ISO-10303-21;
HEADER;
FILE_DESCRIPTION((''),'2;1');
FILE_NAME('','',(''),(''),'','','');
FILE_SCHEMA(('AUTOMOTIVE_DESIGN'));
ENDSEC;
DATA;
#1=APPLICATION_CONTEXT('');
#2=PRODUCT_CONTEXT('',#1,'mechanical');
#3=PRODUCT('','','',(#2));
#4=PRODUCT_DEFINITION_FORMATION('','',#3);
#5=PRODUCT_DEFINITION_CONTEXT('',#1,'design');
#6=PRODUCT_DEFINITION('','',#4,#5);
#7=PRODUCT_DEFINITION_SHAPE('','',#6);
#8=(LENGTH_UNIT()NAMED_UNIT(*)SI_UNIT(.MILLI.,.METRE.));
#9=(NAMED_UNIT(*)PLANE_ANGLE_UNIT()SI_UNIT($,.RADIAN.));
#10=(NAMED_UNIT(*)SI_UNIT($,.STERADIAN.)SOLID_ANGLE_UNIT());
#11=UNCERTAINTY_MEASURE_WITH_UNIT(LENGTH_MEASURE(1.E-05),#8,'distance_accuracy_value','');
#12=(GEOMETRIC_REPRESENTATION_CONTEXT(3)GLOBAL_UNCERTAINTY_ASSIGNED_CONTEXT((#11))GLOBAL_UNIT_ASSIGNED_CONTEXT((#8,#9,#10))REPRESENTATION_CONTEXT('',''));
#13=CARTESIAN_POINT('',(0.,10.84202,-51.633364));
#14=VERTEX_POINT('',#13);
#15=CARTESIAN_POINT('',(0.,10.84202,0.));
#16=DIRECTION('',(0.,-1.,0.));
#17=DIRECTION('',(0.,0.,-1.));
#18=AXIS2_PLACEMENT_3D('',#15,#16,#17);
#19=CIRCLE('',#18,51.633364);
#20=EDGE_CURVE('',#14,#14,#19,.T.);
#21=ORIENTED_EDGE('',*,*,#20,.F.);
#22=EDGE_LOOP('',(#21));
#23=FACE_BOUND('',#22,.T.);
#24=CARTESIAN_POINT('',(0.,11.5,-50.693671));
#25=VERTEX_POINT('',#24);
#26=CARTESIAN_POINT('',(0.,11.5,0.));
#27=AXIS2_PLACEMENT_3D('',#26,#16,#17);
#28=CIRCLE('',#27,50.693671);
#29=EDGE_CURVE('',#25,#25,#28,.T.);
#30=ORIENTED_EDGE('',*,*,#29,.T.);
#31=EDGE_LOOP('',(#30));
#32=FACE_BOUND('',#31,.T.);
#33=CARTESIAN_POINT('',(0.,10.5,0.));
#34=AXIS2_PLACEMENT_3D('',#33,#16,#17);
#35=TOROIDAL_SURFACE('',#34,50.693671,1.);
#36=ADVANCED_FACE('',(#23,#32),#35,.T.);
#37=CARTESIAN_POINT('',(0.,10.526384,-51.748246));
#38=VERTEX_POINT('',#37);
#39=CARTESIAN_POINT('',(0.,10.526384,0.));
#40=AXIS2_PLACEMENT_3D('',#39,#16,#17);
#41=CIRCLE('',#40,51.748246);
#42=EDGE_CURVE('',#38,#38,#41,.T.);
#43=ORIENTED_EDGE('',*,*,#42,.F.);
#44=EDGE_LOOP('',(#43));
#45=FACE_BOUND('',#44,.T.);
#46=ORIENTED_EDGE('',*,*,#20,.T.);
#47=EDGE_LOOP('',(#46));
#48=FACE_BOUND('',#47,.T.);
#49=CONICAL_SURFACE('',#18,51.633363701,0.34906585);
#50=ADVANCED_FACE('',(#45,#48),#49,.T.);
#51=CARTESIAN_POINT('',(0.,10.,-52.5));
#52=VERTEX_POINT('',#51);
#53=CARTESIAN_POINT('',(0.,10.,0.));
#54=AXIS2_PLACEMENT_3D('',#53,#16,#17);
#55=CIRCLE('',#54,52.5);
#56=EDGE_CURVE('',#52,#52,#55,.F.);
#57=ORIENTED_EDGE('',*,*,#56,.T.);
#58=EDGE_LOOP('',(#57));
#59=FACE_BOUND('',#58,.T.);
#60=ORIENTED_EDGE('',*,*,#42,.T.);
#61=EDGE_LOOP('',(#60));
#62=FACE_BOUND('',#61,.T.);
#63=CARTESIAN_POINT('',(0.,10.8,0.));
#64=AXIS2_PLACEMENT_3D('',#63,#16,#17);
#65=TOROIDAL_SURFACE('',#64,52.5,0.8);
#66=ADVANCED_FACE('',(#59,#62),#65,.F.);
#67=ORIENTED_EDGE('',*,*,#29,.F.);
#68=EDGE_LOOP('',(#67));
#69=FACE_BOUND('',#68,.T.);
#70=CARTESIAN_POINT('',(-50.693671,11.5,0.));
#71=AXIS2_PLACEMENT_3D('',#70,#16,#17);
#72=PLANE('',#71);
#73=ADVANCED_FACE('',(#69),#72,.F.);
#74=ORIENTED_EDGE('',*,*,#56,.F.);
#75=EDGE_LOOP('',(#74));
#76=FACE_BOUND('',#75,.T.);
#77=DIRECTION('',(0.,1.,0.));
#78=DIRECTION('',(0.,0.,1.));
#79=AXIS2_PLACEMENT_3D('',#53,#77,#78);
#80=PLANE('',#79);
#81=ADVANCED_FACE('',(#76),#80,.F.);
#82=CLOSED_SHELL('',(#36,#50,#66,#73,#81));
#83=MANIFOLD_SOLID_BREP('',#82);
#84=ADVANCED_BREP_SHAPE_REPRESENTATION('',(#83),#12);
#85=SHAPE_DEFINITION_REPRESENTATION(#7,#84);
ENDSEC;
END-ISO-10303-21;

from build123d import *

# Parameters (mm, degrees)
SKIZZE1_R                       = 75
AUFSATZ_LINEAR_AUSTRAGEN1_DEPTH = 10
SKIZZE8_R                       = 75
SCHNITT_LINEAR_AUSTRAGEN1_DEPTH = 10


with BuildPart() as part:
    # Skizze1 → Aufsatz-Linear austragen1 (new body)
    with BuildSketch(Plane(origin=(0, 0, 0), x_dir=(1, 0, 0), z_dir=(0, 1, 0))):
        with Locations(Location((0, 0, 0), (0, 0, 270))):  # turned: the seam where the file's is
            Circle(SKIZZE1_R)
    extrude(amount=AUFSATZ_LINEAR_AUSTRAGEN1_DEPTH)

    # Skizze7 → Rotation1 (revolve)
    with BuildSketch(Plane.XY, mode=Mode.PRIVATE) as rotation1_sk:
        with BuildLine():
            Line((-51.748245903, 10.526383885), (-51.633363701, 10.842020143))
            ThreePointArc((-51.633363701, 10.842020143), (-51.267247516, 11.319152044), (-50.69367108, 11.5))
            Line((-50.69367108, 11.5), (0, 11.5))
            Line((0, 11.5), (0, 10))
            Line((0, 10), (-52.5, 10))
            ThreePointArc((-52.5, 10), (-52.041138851, 10.144678365), (-51.748245903, 10.526383885))
        make_face()
    revolve(rotation1_sk.sketch.rotate(Axis((0, 0, 0), (0, 1, 0)), 270), axis=Axis((0, 0, 0), (0, 1, 0)))  # turned: the seam where the file's is

    # Skizze8 → Schnitt-Linear austragen1 (cut)
    with BuildSketch(Plane.XZ):
        Circle(SKIZZE8_R)
    extrude(amount=-SCHNITT_LINEAR_AUSTRAGEN1_DEPTH, mode=Mode.SUBTRACT)


solid = part.part
